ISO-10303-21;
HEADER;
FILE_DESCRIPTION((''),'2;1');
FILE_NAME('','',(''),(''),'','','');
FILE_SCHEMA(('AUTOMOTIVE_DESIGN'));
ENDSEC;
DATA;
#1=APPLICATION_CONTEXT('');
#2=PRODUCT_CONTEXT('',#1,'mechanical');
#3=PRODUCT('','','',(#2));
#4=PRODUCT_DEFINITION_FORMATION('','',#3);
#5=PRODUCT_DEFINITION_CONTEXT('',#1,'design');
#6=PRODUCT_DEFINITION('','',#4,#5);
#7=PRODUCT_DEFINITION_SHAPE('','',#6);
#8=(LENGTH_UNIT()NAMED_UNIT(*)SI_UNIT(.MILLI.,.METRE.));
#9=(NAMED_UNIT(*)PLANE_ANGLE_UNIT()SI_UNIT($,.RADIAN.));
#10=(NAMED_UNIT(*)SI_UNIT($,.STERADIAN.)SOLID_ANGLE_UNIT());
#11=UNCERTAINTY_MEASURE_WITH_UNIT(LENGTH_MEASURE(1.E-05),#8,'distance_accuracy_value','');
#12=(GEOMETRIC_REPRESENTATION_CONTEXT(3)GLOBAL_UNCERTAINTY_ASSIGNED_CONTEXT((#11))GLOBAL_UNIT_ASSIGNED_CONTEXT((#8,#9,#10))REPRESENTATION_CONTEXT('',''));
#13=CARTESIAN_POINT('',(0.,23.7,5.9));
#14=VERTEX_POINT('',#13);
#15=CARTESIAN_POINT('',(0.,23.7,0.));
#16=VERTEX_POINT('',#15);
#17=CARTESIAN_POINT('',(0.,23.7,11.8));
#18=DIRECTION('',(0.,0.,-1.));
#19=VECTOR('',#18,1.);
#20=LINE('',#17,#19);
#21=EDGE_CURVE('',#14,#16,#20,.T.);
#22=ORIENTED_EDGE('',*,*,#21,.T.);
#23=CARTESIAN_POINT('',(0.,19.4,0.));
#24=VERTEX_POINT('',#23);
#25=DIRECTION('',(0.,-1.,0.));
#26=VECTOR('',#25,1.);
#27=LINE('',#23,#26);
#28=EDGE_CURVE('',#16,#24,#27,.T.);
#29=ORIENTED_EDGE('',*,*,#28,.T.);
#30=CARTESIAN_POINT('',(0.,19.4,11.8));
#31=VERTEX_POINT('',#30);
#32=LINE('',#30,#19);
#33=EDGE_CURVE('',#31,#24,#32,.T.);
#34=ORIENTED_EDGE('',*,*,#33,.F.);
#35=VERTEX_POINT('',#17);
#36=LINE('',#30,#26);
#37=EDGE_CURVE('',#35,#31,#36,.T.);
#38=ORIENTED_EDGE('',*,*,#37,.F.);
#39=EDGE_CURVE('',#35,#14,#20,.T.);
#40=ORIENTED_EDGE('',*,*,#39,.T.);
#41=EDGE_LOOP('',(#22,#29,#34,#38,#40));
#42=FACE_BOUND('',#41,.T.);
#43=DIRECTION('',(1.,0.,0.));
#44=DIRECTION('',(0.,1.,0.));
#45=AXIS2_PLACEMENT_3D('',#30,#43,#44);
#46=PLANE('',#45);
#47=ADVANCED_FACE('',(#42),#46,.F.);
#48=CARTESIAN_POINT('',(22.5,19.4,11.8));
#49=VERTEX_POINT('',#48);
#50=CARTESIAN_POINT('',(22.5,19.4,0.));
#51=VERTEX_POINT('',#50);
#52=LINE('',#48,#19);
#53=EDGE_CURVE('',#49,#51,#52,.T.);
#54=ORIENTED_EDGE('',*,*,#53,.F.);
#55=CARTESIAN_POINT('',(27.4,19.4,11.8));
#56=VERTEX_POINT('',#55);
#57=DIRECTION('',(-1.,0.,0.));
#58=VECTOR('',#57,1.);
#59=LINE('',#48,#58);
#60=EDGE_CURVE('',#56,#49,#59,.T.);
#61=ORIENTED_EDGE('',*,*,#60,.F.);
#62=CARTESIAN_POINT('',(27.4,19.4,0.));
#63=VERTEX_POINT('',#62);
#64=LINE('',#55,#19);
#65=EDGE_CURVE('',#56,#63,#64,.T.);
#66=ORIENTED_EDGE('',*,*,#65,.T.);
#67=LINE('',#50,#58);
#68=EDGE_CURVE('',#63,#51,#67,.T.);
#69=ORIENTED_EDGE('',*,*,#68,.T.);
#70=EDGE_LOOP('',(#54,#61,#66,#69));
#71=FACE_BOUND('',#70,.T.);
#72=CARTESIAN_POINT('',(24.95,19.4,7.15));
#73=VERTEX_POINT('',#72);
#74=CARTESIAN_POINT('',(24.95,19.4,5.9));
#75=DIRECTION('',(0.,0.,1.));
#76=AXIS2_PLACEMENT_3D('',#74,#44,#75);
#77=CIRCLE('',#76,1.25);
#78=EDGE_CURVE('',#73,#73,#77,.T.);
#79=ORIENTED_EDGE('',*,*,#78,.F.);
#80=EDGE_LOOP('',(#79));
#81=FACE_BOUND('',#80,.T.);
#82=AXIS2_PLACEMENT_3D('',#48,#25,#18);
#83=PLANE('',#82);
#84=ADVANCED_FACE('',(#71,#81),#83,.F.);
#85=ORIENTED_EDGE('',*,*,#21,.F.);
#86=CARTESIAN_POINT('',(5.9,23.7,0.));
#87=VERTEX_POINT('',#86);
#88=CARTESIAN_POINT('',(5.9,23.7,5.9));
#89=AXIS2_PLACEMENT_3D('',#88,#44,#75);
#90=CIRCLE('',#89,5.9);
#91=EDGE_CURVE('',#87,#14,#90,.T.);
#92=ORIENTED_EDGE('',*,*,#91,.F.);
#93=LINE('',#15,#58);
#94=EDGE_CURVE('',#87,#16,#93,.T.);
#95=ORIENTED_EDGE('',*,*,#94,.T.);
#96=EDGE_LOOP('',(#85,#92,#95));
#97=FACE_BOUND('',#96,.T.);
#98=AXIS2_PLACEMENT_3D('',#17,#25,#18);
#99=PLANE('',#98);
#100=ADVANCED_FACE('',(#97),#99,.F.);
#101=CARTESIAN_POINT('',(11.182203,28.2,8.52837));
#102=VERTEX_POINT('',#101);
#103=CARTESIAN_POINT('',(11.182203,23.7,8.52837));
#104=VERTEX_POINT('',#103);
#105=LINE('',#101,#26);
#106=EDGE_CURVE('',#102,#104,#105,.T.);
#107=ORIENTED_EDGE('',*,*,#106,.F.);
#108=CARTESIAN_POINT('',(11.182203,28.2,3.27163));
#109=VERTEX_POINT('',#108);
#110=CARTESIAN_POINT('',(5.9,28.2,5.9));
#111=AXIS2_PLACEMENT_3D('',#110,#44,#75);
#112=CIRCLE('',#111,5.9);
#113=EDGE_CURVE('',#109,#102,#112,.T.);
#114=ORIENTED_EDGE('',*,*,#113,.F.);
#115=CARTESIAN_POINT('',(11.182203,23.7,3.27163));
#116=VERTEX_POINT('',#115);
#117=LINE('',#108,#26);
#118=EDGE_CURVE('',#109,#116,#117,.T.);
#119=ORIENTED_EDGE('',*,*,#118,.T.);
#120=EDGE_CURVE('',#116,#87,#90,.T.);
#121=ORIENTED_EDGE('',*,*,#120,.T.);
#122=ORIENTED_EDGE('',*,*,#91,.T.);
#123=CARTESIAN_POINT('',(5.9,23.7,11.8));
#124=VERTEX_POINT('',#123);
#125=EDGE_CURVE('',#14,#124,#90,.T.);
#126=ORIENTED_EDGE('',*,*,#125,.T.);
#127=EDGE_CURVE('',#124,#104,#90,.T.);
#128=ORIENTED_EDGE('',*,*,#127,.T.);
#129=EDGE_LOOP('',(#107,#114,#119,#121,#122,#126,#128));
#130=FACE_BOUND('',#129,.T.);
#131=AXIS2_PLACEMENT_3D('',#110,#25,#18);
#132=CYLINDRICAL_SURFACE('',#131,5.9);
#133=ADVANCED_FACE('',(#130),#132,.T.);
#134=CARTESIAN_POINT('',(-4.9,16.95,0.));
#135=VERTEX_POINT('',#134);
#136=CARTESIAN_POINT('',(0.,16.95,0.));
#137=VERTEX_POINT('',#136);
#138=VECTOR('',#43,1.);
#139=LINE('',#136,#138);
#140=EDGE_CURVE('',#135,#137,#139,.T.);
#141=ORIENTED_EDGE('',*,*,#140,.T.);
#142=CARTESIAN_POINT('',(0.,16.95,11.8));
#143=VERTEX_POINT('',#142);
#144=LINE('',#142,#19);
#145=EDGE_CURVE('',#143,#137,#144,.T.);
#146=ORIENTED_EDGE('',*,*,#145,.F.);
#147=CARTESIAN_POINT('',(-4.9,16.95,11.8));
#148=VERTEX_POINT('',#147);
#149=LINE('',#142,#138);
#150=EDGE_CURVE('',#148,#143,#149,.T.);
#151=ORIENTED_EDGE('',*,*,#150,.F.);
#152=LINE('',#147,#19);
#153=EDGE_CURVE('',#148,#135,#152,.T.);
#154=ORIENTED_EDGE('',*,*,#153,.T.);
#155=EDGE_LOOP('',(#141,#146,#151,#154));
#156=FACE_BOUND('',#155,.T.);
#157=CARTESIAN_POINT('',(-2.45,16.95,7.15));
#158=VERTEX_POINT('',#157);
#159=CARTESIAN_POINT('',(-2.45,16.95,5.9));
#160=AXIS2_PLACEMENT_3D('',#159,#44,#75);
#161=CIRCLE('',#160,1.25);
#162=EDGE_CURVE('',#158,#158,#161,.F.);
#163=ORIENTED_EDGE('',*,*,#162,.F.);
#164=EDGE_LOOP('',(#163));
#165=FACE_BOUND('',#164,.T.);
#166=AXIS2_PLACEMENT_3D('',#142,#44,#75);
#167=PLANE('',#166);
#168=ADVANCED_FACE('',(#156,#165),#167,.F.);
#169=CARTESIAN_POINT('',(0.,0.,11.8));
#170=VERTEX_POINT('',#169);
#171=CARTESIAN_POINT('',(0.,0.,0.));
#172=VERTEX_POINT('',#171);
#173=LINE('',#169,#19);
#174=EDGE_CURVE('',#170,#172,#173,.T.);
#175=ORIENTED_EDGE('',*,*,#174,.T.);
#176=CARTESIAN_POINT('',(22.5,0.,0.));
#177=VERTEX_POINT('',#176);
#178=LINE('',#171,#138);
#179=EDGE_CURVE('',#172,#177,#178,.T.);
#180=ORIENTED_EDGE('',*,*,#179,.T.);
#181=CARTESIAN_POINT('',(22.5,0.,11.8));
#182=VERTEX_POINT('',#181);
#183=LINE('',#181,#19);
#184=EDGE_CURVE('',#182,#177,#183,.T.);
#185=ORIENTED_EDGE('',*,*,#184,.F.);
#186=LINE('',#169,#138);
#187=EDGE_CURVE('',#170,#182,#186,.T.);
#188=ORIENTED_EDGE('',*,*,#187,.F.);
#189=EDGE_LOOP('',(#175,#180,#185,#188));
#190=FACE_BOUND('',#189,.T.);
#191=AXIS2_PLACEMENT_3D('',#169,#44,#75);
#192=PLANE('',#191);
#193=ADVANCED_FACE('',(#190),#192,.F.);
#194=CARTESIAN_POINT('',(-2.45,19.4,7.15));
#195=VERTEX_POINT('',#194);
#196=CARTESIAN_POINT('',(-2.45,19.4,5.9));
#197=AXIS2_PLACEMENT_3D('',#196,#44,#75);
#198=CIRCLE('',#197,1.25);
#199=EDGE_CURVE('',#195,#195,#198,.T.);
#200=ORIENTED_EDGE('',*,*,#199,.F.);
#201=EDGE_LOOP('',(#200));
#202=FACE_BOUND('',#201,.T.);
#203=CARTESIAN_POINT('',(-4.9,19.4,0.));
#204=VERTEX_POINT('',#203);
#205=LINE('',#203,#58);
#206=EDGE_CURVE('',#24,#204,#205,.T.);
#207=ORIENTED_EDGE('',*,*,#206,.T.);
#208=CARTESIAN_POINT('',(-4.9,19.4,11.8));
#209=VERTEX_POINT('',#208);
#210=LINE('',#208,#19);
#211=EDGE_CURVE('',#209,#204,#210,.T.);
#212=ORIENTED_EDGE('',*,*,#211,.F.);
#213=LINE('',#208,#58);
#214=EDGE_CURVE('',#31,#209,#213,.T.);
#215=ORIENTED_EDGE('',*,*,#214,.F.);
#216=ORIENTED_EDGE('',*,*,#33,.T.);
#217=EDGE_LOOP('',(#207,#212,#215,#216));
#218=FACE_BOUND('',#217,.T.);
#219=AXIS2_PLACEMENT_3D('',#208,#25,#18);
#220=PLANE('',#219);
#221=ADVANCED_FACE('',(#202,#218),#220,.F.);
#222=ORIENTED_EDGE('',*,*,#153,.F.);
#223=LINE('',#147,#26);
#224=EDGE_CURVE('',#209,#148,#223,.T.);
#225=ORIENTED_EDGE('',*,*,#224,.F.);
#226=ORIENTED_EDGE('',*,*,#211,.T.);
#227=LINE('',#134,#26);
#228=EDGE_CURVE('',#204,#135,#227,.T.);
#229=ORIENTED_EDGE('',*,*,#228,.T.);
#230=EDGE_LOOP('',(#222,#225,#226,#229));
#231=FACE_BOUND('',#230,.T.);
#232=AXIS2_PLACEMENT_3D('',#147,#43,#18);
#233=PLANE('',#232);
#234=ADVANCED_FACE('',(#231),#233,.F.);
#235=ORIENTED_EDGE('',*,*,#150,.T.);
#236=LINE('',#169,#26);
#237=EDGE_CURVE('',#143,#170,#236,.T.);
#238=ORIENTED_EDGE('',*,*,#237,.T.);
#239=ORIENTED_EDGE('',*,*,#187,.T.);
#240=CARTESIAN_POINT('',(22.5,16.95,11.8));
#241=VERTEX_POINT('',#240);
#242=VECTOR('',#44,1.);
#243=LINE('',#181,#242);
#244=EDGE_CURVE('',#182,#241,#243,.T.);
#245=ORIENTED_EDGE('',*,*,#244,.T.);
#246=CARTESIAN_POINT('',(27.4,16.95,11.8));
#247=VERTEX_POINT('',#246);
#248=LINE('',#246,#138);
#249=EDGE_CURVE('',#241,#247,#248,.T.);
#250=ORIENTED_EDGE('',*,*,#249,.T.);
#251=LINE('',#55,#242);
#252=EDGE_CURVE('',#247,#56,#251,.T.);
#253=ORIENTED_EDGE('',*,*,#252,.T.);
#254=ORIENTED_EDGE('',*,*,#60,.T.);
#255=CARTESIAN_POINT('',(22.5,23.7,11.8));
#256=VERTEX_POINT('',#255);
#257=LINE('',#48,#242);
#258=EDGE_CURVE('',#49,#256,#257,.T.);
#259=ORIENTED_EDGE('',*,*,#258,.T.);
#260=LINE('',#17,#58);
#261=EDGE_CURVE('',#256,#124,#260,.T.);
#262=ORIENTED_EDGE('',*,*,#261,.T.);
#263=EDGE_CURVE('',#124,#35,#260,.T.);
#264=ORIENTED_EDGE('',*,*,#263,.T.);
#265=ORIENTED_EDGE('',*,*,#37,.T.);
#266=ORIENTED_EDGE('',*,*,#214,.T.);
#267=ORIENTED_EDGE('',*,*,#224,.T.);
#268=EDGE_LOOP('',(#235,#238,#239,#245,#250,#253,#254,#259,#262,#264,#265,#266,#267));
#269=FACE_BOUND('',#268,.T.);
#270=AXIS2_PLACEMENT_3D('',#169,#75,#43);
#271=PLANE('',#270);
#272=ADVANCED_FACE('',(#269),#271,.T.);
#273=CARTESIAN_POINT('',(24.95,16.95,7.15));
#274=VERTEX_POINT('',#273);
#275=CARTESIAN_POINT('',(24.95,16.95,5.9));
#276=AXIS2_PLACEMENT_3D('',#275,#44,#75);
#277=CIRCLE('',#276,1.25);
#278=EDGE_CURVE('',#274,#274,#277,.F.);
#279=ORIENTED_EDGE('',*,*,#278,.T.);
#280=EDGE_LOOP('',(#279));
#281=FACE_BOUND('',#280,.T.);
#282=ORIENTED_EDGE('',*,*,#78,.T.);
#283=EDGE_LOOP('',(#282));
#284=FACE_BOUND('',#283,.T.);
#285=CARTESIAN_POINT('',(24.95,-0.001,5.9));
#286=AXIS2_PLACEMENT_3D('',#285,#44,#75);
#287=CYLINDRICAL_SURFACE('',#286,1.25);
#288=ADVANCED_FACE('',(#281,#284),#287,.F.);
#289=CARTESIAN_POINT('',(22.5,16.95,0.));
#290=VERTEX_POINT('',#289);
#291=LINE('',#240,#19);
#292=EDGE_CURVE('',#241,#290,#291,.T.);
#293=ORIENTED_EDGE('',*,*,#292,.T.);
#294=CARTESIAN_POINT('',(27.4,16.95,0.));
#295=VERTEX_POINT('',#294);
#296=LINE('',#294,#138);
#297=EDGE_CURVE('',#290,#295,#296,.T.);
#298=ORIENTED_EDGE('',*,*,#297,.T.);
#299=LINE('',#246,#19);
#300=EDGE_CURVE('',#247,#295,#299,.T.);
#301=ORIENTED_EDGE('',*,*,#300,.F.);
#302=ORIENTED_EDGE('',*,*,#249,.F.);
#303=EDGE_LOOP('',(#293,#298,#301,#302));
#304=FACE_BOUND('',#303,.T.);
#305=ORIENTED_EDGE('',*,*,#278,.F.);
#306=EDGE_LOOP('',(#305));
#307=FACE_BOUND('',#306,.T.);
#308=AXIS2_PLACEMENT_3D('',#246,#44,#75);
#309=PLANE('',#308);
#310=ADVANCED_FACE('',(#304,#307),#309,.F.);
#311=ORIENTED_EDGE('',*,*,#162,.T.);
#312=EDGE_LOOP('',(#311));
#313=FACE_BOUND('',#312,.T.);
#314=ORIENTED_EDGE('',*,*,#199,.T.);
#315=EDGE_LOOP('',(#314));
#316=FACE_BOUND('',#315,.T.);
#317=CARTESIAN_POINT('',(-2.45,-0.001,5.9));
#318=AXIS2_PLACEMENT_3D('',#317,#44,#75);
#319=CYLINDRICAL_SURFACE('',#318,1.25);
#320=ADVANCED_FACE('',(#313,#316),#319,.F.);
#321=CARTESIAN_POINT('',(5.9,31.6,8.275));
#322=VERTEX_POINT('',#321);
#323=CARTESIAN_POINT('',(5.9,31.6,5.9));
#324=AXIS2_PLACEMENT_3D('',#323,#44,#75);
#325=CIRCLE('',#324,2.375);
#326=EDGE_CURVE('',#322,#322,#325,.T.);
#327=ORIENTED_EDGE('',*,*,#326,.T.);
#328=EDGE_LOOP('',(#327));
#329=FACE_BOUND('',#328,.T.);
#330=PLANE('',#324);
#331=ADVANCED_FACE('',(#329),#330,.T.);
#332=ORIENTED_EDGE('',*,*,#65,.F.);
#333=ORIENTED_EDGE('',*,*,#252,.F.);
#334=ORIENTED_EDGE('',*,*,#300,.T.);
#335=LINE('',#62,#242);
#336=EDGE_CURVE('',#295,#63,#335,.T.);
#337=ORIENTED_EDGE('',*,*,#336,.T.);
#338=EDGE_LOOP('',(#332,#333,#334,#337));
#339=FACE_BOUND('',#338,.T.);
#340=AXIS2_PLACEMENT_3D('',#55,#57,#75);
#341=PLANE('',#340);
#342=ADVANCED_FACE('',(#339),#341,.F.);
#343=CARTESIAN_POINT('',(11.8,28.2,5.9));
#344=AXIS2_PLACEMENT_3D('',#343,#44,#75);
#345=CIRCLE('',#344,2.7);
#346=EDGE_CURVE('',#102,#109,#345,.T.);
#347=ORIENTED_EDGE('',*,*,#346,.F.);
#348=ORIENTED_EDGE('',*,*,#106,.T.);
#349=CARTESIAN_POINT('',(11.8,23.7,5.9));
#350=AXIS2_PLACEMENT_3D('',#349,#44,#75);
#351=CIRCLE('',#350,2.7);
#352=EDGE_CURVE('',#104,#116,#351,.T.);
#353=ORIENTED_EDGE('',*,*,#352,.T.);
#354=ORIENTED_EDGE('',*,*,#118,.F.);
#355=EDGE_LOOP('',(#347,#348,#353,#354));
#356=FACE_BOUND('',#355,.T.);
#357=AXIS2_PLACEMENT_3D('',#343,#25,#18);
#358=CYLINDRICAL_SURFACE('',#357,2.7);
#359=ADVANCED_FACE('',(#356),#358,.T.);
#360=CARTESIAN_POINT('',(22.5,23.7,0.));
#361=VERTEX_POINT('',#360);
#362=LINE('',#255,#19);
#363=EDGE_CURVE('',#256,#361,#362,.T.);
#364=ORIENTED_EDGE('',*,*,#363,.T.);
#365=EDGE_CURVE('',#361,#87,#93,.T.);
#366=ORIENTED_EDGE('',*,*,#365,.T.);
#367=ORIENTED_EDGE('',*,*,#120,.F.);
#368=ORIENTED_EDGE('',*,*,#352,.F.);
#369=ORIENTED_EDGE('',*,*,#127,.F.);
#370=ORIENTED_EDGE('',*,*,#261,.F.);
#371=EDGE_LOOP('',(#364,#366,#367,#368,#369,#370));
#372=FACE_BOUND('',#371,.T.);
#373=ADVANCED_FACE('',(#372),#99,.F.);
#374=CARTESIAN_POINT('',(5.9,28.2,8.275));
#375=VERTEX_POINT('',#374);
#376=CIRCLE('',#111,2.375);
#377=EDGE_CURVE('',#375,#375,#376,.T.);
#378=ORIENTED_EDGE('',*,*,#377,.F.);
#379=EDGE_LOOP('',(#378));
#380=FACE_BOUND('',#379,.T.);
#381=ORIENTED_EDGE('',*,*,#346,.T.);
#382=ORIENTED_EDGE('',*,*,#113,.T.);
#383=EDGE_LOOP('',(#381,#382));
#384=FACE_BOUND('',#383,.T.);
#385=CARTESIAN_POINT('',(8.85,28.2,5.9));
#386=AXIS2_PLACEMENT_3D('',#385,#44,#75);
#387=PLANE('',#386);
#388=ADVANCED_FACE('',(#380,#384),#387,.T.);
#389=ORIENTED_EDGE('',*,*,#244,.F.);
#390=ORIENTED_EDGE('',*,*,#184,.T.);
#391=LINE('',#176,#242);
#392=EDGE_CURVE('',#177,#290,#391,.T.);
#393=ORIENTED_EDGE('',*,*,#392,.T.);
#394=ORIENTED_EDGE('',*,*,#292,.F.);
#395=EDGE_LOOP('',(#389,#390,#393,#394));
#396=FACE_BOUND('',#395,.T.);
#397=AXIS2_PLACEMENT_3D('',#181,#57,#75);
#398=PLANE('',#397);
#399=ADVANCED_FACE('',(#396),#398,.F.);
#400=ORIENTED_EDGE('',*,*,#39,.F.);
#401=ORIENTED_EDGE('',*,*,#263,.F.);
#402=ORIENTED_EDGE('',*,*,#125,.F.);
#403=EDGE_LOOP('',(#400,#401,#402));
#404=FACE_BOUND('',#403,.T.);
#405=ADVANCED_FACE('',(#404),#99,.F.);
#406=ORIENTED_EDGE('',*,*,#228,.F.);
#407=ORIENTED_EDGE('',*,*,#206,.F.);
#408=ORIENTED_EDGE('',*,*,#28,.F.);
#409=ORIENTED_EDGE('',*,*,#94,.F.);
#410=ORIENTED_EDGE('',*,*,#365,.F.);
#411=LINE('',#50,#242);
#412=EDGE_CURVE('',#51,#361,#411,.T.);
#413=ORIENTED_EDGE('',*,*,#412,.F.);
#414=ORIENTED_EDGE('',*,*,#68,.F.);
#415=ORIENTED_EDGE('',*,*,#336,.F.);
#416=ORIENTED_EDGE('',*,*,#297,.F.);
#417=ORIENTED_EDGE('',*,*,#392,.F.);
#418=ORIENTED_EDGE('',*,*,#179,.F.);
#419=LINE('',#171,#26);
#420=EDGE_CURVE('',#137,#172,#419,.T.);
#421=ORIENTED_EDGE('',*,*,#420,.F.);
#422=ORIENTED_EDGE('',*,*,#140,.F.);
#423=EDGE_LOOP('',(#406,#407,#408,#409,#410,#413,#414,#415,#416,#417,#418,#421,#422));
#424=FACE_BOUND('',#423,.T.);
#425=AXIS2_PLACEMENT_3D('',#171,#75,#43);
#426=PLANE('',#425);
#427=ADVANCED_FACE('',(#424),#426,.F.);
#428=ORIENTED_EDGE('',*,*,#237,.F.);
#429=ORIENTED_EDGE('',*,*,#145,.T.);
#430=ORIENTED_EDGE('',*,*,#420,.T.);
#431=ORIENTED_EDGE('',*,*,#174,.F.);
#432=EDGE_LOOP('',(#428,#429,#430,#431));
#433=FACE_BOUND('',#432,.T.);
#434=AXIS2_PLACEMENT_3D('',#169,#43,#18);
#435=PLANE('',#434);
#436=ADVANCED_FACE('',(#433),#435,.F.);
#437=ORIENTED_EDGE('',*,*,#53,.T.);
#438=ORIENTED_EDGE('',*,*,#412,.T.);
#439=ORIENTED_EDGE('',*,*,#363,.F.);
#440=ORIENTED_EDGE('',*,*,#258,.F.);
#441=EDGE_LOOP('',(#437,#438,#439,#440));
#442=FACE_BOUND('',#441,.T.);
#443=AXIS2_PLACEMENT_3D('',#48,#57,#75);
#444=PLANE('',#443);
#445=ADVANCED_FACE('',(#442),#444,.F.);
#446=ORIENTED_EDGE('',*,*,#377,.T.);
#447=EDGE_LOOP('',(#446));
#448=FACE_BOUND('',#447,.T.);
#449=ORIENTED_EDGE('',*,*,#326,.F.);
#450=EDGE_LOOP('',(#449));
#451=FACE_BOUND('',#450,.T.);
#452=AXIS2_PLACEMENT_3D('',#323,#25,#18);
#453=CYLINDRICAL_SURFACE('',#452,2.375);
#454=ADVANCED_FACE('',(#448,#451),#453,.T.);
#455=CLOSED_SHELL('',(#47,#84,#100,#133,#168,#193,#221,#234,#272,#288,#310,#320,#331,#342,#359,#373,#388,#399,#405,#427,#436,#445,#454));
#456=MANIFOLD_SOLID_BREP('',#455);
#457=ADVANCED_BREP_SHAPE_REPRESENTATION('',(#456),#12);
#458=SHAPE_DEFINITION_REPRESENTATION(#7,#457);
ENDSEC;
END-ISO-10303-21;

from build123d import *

# Parameters (mm, degrees)
BOSS_EXTRUDE1_DEPTH = 11.8
BOSS_EXTRUDE2_DEPTH = 4.5
SKETCH3_R           = 2.375
BOSS_EXTRUDE3_DEPTH = 3.4
CUT_EXTRUDE1_REACH  = 21.4
SKETCH4_R           = 1.25


with BuildPart() as part:
    # Sketch1 → Boss-Extrude1 (new body)
    with BuildSketch(Plane.XY):
        Polygon((0, 0), (22.5, 0), (22.5, 16.95), (27.4, 16.95), (27.4, 19.4), (22.5, 19.4), (22.5, 23.7), (0, 23.7), (0, 19.4), (-4.9, 19.4), (-4.9, 16.95), (0, 16.95), align=None)
    extrude(amount=BOSS_EXTRUDE1_DEPTH)

    # Sketch2 → Boss-Extrude2 (add)
    with BuildSketch(Plane(origin=(0, 23.7, 0), x_dir=(1, 0, 0), z_dir=(0, 1, 0))):
        with BuildLine():
            ThreePointArc((11.18220339, -3.271630287), (0, -5.9), (11.18220339, -8.528369713))
            ThreePointArc((11.18220339, -8.528369713), (14.5, -5.9), (11.18220339, -3.271630287))
        make_face()
    extrude(amount=BOSS_EXTRUDE2_DEPTH)

    # Sketch3 → Boss-Extrude3 (add)
    with BuildSketch(Plane(origin=(0, 28.2, 0), x_dir=(1, 0, 0), z_dir=(0, 1, 0))):
        with Locations((5.9, -5.9)):
            Circle(SKETCH3_R)
    extrude(amount=BOSS_EXTRUDE3_DEPTH)

    # Sketch4 → Cut-Extrude1 (cut, up to next)
    with BuildSketch(Plane(origin=(0, 19.4, 0), x_dir=(1, 0, 0), z_dir=(0, 1, 0)), mode=Mode.PRIVATE) as cut_extrude1_sk1:
        with Locations((-2.45, -5.9)):
            Circle(SKETCH4_R)
    cut_extrude1_tool1 = extrude(cut_extrude1_sk1.sketch, amount=-CUT_EXTRUDE1_REACH, mode=Mode.PRIVATE) & part.part
    add(cut_extrude1_tool1.solids().sort_by_distance((-2.45, 19.4, 5.9))[0], mode=Mode.SUBTRACT)
    # Sketch4 → Cut-Extrude1 (cut, up to next)
    with BuildSketch(Plane(origin=(0, 19.4, 0), x_dir=(1, 0, 0), z_dir=(0, 1, 0)), mode=Mode.PRIVATE) as cut_extrude1_sk2:
        with Locations((24.95, -5.9)):
            Circle(SKETCH4_R)
    cut_extrude1_tool2 = extrude(cut_extrude1_sk2.sketch, amount=-CUT_EXTRUDE1_REACH, mode=Mode.PRIVATE) & part.part
    add(cut_extrude1_tool2.solids().sort_by_distance((24.95, 19.4, 5.9))[0], mode=Mode.SUBTRACT)


solid = part.part
